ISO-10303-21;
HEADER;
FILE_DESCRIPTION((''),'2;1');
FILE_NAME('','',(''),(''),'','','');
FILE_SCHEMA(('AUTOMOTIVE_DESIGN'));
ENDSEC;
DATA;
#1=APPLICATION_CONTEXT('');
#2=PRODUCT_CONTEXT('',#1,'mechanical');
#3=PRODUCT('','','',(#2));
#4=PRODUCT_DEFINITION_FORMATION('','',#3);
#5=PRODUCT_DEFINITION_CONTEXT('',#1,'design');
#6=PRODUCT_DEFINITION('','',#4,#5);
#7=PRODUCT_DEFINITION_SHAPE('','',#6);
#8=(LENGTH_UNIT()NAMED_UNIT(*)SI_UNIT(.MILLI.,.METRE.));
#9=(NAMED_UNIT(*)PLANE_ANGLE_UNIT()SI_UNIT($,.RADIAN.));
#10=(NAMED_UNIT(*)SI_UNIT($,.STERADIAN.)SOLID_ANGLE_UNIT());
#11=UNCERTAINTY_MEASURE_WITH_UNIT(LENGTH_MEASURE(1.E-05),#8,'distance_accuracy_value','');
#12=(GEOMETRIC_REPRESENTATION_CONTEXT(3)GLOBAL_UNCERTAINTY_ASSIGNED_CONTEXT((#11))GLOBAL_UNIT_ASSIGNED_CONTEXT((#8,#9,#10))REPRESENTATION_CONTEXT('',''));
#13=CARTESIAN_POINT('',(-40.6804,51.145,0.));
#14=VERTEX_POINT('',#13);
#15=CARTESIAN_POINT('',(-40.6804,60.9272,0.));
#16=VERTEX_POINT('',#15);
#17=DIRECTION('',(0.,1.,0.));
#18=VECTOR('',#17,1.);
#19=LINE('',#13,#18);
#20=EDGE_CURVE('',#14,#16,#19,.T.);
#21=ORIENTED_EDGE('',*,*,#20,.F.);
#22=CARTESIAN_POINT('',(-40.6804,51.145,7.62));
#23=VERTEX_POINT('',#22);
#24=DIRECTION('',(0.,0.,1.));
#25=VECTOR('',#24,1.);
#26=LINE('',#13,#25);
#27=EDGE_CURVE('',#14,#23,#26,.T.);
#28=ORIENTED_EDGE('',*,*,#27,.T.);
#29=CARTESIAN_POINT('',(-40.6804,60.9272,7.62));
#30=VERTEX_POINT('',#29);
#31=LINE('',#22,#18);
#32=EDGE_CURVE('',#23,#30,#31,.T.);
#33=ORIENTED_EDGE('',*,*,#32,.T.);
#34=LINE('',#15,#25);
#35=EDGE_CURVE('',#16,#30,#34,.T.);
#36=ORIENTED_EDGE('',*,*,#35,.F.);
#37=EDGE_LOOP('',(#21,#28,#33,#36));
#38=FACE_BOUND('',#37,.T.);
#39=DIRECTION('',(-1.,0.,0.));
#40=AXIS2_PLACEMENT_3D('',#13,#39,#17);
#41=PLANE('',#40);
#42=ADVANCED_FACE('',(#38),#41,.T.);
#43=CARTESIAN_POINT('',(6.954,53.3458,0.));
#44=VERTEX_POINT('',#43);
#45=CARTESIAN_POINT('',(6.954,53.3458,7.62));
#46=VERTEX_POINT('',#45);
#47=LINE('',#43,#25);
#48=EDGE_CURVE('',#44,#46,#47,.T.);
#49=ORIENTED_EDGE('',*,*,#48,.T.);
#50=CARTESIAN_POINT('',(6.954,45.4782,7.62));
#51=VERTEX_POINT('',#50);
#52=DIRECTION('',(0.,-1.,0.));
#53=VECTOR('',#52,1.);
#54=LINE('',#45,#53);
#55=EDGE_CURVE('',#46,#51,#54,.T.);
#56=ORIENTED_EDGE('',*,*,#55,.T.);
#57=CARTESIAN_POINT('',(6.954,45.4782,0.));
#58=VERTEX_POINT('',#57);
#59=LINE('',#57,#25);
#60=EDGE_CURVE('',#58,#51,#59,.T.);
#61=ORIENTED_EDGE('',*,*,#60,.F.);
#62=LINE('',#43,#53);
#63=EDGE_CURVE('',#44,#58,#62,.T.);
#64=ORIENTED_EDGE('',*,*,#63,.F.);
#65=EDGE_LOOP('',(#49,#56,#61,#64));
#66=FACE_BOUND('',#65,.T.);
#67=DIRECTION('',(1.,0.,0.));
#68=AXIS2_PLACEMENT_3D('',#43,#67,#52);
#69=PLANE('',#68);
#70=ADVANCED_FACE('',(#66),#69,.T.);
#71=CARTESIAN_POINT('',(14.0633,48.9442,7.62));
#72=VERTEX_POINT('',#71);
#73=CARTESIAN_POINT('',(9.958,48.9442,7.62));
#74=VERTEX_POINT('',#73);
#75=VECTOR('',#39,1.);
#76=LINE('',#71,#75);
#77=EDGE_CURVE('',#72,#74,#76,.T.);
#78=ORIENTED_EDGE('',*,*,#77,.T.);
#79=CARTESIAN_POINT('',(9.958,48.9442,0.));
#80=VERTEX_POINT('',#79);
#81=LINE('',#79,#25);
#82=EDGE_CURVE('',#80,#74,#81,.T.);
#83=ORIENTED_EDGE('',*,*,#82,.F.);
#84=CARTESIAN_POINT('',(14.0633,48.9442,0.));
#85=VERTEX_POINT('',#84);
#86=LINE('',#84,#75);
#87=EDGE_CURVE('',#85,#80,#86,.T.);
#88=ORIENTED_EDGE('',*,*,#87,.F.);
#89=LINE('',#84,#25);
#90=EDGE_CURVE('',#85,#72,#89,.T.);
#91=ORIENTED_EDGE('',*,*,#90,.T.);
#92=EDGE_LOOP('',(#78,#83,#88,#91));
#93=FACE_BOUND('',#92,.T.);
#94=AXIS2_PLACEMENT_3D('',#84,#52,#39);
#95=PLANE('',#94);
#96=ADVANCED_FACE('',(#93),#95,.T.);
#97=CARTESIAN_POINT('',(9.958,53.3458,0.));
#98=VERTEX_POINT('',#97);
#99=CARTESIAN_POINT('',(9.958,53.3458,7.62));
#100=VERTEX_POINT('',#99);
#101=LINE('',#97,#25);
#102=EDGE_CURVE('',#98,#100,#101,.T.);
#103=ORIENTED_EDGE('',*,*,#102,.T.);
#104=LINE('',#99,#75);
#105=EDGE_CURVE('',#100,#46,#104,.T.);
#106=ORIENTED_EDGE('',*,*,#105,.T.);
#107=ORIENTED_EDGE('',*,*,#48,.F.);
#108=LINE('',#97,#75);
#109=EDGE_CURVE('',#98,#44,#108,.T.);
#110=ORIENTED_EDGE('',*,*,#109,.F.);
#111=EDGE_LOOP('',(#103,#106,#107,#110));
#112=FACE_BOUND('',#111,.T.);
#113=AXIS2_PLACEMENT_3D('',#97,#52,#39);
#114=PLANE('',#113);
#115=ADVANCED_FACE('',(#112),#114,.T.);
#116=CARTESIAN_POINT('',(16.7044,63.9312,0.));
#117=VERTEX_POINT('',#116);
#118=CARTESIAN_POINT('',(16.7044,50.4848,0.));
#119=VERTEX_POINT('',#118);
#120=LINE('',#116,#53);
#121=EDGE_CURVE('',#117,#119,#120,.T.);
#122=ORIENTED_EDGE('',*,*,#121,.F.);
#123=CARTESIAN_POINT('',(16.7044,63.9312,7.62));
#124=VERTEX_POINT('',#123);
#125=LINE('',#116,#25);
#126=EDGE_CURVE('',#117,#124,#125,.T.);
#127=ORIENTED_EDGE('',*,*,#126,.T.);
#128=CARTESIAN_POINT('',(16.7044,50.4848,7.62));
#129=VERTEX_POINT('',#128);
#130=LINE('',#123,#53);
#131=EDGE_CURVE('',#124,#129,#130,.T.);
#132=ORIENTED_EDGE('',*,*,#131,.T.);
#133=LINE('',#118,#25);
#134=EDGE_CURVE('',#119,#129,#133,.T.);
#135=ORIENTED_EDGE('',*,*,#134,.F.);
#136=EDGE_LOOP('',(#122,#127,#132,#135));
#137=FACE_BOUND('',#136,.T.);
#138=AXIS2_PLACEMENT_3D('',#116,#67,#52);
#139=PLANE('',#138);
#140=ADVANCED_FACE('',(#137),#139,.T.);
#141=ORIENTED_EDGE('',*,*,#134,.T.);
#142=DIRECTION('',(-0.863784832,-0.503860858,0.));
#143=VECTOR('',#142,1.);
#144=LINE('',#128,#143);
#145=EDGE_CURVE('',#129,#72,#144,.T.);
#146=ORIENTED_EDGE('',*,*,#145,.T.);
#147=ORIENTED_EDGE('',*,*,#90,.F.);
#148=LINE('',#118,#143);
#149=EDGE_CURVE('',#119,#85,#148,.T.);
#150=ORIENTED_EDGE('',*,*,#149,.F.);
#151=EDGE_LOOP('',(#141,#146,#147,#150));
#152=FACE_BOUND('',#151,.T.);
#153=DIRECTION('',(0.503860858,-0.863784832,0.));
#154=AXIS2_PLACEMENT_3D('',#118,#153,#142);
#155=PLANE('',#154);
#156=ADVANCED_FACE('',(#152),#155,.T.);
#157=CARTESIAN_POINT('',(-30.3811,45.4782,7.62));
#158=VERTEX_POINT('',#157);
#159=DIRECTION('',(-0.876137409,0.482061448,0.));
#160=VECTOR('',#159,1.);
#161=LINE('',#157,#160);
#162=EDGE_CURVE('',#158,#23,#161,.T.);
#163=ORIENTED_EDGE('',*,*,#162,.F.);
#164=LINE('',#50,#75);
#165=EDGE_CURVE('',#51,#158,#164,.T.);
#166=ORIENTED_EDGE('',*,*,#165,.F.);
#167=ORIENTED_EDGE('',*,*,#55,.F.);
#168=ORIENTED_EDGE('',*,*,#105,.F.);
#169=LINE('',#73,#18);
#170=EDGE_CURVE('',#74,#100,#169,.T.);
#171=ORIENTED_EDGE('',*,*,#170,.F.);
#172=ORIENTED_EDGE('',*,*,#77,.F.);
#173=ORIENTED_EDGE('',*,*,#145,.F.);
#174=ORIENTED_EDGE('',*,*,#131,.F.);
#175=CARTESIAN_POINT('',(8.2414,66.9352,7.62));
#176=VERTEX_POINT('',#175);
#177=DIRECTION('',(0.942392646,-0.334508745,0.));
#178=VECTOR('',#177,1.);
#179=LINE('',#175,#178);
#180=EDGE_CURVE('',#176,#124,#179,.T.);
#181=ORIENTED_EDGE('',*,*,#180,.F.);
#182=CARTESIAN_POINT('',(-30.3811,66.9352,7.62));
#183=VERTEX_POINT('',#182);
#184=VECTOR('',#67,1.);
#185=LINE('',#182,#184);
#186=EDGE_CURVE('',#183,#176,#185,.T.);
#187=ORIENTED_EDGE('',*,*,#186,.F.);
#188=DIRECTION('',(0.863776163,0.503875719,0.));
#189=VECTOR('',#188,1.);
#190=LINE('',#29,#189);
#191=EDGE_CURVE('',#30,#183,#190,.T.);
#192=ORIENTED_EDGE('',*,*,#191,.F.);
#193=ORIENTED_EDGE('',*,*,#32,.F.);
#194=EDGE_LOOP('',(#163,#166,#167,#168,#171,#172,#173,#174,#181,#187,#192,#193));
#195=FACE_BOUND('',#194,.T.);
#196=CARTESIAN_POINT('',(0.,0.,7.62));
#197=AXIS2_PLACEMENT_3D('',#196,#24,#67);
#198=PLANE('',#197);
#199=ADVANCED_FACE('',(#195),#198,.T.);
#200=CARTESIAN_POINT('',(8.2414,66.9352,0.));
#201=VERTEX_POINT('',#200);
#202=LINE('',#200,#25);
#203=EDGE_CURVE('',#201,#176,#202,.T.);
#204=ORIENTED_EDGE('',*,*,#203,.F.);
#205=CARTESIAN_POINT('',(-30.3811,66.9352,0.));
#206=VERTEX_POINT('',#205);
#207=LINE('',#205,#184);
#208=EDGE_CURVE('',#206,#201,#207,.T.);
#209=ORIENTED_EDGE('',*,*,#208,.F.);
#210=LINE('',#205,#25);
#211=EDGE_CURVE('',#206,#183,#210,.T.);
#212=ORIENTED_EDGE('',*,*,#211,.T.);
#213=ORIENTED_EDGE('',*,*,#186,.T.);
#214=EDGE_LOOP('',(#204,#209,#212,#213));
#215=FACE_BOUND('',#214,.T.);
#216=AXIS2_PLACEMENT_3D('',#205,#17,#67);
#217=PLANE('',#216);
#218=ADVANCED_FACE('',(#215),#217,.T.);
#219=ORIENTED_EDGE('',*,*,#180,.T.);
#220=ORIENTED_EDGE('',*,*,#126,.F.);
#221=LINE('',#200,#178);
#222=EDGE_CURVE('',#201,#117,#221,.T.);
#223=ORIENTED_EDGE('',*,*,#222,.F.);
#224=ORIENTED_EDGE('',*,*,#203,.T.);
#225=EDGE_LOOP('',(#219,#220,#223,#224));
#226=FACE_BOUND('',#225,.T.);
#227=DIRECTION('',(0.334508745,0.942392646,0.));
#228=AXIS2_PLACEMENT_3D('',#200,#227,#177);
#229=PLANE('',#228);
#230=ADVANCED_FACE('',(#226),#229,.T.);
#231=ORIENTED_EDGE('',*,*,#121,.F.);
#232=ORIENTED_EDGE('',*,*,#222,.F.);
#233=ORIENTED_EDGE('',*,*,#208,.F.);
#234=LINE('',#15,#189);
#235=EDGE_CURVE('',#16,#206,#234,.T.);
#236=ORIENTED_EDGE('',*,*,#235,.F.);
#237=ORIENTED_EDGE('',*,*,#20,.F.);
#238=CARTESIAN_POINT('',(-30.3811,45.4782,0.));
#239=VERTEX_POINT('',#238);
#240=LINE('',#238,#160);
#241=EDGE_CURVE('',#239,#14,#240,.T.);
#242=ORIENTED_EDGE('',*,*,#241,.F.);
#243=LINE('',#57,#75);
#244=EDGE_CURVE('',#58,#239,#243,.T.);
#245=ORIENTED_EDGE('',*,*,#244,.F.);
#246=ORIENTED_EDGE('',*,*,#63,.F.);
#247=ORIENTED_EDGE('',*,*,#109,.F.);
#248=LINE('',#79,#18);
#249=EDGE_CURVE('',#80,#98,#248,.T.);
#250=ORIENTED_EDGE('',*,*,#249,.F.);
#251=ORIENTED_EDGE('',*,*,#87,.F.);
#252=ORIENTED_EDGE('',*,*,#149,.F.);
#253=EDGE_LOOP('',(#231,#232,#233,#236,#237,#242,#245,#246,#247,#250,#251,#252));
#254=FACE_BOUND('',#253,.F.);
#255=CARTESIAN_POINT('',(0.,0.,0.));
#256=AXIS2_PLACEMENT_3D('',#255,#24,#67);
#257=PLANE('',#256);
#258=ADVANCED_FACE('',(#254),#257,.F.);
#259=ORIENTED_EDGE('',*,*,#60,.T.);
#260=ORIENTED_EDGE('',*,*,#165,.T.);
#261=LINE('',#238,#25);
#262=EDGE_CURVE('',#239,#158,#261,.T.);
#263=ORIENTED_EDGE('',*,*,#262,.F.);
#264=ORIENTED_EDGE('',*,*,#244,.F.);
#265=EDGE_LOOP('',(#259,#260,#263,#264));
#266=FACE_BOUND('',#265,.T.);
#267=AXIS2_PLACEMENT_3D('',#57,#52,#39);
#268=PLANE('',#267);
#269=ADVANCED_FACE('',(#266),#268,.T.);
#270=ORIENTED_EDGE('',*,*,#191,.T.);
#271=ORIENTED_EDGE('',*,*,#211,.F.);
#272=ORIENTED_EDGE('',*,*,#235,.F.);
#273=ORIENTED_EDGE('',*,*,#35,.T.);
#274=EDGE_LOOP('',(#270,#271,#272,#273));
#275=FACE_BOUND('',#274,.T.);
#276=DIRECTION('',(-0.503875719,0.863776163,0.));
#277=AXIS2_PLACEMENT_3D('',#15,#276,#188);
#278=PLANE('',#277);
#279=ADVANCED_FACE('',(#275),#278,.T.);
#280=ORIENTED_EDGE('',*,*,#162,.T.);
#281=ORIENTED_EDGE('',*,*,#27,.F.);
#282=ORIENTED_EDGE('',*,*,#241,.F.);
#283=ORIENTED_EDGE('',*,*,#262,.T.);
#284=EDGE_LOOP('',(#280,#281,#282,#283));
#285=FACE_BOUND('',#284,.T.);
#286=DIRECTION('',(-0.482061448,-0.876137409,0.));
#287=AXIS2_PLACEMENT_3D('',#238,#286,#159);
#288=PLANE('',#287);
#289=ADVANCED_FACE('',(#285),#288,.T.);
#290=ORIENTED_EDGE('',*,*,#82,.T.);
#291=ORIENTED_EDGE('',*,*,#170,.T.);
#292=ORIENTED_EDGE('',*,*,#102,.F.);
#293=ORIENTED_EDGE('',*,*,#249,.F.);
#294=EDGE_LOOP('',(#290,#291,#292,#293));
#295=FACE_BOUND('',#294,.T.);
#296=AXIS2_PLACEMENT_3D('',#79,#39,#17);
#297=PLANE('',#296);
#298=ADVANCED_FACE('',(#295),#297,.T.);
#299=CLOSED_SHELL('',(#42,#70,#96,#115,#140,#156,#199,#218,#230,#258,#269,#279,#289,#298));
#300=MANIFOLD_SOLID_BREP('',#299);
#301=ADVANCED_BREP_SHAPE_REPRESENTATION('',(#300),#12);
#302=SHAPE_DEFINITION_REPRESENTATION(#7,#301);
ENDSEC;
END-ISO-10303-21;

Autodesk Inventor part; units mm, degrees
ref_plane "YZ Plane" through (0, 0, 0) normal (1, 0, 0) x (0, 1, 0)
ref_plane "XZ Plane" through (0, 0, 0) normal (0, 1, 0) x (-1, 0, 0)
ref_plane "XY Plane" through (0, 0, 0) normal (0, 0, 1) x (1, 0, 0)
sketch "Sketch1" plane through (0, 0, 0) normal (0, 0, 1) x (1, 0, 0)
  line L0 (-91.2456, 87.8277) -> (124.6544, 87.8277) construction
  line L1 (124.6544, 87.8277) -> (124.6544, -191.7916) construction
  line L2 (124.6544, -191.7916) -> (-91.2456, -191.7916) construction
  line L3 (-91.2456, -191.7916) -> (-91.2456, 87.8277) construction
  line L4 (-40.6804, 60.9272) -> (-30.3811, 66.9352)
  line L5 (-30.3811, 66.9352) -> (8.2414, 66.9352)
  line L6 (8.2414, 66.9352) -> (16.7044, 63.9312)
  line L7 (16.7044, 63.9312) -> (16.7044, 50.4848)
  line L8 (16.7044, 50.4848) -> (14.0633, 48.9442)
  line L9 (14.0633, 48.9442) -> (9.958, 48.9442)
  line L10 (9.958, 48.9442) -> (9.958, 53.3458)
  line L11 (9.958, 53.3458) -> (6.954, 53.3458)
  line L12 (6.954, 53.3458) -> (6.954, 45.4782)
  line L13 (6.954, 45.4782) -> (-30.3811, 45.4782)
  line L14 (-40.6804, 51.145) -> (-40.6804, 60.9272)
  line L15 (-30.3811, 45.4782) -> (-40.6804, 51.145)
  point P0 (0, 0)
  dimension "d4" = 215.9
extrude "Extrusion1" add sketch "Sketch1" along normal blind 7.62
properties part number "flatcamera"
